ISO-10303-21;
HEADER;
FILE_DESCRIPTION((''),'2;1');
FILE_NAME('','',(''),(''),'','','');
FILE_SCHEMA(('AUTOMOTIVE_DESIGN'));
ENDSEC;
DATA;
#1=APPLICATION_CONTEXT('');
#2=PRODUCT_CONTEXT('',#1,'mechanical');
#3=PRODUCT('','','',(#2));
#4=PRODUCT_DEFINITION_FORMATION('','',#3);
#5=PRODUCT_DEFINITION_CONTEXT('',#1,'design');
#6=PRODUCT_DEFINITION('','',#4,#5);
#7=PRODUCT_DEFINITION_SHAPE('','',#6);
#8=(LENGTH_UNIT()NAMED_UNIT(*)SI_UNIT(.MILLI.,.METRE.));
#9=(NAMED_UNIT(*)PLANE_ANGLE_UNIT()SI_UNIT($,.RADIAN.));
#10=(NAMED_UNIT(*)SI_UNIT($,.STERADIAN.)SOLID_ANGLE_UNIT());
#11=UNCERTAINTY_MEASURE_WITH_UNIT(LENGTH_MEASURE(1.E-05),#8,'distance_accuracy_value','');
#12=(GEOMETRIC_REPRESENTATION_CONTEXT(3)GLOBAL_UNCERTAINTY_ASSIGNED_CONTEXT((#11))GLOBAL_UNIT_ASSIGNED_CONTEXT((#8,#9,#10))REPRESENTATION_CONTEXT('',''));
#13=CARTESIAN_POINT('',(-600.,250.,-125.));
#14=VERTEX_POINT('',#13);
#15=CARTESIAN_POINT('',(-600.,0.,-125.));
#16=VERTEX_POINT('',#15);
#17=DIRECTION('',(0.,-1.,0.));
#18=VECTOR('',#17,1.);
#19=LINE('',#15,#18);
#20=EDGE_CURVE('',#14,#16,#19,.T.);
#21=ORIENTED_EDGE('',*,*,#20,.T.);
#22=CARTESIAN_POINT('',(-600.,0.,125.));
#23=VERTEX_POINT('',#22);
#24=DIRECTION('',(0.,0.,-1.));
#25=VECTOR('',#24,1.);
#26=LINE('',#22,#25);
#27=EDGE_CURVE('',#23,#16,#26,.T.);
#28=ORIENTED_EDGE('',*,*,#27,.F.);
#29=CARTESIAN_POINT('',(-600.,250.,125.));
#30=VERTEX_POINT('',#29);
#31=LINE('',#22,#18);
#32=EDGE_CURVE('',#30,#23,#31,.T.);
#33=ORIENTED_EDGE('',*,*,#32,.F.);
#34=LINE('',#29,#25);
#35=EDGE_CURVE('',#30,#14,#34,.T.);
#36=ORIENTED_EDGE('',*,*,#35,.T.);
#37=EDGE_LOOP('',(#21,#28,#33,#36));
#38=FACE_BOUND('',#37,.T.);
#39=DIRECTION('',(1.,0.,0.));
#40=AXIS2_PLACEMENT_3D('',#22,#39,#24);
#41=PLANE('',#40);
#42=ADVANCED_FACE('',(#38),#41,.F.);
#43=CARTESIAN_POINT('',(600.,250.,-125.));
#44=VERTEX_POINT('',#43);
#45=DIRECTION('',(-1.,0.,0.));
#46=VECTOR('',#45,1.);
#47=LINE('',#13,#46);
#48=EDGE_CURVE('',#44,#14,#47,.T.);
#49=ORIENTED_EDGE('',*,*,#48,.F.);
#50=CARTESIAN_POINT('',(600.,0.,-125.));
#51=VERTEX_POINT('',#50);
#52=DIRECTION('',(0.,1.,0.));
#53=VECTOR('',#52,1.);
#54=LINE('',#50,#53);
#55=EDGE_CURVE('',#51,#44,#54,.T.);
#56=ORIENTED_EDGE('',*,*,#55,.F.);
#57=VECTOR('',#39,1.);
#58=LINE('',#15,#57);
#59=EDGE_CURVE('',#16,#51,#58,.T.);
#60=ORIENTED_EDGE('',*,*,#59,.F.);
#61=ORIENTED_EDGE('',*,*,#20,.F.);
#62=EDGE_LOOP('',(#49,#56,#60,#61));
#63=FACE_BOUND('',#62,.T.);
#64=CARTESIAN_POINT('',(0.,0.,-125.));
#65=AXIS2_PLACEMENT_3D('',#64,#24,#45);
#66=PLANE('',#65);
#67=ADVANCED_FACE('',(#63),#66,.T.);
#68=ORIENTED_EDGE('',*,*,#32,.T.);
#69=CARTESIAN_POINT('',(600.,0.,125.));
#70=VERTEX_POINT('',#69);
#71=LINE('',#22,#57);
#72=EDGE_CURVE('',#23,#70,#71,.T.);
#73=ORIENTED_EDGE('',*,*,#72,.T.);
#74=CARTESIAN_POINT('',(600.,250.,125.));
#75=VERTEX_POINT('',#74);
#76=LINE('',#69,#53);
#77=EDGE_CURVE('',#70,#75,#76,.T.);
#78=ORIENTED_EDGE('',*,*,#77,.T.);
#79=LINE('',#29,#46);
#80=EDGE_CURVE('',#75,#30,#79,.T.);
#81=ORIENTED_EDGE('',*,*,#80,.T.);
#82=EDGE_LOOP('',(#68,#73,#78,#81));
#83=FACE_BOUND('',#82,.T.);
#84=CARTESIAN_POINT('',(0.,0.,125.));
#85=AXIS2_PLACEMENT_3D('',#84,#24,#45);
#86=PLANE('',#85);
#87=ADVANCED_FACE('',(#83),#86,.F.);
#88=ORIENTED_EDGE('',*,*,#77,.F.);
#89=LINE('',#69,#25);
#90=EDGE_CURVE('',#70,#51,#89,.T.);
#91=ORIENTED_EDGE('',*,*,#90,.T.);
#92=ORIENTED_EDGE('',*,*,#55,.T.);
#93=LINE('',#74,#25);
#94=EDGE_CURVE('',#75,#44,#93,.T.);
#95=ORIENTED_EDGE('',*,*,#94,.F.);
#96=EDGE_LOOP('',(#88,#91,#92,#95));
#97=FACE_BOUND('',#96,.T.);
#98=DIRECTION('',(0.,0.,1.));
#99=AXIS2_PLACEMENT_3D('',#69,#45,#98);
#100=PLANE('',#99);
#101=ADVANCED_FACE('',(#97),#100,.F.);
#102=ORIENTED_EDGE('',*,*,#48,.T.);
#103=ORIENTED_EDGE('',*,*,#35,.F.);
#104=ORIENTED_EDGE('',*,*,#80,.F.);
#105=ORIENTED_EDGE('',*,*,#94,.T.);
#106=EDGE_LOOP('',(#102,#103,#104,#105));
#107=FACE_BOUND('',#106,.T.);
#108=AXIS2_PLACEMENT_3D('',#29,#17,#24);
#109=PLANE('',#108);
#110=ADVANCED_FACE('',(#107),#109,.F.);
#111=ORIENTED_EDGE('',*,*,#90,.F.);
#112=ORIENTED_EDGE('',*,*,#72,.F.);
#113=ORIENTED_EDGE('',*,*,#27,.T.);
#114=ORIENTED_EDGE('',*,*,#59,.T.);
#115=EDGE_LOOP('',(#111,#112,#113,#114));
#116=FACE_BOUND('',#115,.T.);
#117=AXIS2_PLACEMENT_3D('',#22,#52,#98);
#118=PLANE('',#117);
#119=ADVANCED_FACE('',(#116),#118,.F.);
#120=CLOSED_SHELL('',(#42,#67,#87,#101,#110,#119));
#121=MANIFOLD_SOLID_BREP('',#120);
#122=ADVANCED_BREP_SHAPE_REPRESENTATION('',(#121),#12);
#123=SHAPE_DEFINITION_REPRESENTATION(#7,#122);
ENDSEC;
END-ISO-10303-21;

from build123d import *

# Parameters (mm, degrees)
SKETCH1_W           = 1200
SKETCH1_H           = 250
BOSS_EXTRUDE1_DEPTH = 125


with BuildPart() as part:
    # Sketch1 → Boss-Extrude1 (new, symmetric)
    with BuildSketch(Plane.XY):
        with Locations((0, 125)):
            Rectangle(SKETCH1_W, SKETCH1_H)
    extrude(amount=BOSS_EXTRUDE1_DEPTH, both=True)


solid = part.part
